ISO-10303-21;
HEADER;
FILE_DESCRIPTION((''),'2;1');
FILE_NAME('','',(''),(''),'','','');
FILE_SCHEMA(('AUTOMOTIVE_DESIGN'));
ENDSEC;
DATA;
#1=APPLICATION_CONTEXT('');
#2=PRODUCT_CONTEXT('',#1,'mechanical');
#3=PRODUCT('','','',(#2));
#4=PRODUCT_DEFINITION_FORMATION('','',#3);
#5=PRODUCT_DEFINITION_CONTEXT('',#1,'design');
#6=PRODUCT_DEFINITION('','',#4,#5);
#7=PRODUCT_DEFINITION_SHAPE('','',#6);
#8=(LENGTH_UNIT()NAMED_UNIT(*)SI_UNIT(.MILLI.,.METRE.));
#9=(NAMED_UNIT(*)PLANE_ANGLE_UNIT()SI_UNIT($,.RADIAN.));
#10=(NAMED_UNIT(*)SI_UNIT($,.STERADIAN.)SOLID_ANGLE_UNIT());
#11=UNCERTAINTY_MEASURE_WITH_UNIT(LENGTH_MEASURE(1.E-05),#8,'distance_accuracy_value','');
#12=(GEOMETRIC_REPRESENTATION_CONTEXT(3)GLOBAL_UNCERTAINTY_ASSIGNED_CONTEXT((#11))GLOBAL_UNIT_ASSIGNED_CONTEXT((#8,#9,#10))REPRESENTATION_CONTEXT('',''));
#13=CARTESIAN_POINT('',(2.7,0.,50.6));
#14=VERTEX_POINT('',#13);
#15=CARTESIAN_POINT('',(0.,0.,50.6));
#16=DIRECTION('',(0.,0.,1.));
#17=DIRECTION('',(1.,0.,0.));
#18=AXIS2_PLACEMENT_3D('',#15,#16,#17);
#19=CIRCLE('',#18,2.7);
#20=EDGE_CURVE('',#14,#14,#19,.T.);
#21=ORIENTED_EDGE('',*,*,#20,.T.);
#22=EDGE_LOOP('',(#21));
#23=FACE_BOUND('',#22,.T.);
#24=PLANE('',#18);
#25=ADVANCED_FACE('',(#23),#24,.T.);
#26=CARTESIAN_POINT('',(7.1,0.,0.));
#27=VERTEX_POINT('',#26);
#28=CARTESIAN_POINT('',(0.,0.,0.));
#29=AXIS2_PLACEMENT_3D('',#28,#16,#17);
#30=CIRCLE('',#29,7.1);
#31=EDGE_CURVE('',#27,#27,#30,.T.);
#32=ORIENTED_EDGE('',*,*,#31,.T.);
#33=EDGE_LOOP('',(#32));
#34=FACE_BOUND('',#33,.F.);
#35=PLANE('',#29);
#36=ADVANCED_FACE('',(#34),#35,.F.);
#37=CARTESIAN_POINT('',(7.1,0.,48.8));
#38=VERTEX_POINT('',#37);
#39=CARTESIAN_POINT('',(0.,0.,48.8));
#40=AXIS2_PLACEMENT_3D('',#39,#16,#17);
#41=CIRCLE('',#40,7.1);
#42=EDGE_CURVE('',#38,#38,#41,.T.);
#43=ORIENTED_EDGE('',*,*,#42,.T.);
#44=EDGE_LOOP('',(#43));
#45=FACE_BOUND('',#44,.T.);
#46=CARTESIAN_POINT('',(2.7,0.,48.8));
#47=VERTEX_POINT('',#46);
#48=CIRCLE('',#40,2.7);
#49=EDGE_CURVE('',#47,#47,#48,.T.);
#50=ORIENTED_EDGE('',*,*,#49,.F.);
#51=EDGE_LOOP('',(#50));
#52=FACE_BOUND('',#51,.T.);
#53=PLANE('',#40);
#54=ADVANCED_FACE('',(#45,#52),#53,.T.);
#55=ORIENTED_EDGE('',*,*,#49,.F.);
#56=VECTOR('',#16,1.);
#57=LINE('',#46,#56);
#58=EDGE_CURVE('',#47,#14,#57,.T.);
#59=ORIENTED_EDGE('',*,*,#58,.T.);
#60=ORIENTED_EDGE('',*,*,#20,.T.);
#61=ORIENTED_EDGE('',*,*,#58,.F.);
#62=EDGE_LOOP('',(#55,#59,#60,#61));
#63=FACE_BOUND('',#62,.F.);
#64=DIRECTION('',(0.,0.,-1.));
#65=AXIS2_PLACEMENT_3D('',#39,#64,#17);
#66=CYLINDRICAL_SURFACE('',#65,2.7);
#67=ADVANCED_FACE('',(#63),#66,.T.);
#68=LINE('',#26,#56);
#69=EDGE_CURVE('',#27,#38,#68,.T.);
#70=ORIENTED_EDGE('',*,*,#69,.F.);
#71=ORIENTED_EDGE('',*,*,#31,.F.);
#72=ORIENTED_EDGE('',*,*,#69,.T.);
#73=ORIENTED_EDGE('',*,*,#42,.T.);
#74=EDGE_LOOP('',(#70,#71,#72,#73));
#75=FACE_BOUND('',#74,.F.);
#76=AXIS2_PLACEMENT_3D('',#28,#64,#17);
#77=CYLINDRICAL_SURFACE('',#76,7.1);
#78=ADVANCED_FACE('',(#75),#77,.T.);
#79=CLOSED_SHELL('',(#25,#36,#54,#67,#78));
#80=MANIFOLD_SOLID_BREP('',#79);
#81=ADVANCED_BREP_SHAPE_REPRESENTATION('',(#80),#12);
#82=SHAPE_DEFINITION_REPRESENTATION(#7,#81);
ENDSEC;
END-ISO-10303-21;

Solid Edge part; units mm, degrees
sketch "Sketch1" plane through (0, 0, 0) normal (0, 0, 1) x (1, 0, 0)
  circle A0 centre (0, 0) radius 7.1
extrude "Protrusion1" add sketch "Sketch1" along normal blind 48.8
sketch "Sketch2" plane through (0, 0, 48.8) normal (0, 0, 1) x (1, 0, 0)
  circle A0 centre (0, 0) radius 2.7
extrude "Wyciągnięcie_2" add sketch "Sketch2" along normal blind 1.8
